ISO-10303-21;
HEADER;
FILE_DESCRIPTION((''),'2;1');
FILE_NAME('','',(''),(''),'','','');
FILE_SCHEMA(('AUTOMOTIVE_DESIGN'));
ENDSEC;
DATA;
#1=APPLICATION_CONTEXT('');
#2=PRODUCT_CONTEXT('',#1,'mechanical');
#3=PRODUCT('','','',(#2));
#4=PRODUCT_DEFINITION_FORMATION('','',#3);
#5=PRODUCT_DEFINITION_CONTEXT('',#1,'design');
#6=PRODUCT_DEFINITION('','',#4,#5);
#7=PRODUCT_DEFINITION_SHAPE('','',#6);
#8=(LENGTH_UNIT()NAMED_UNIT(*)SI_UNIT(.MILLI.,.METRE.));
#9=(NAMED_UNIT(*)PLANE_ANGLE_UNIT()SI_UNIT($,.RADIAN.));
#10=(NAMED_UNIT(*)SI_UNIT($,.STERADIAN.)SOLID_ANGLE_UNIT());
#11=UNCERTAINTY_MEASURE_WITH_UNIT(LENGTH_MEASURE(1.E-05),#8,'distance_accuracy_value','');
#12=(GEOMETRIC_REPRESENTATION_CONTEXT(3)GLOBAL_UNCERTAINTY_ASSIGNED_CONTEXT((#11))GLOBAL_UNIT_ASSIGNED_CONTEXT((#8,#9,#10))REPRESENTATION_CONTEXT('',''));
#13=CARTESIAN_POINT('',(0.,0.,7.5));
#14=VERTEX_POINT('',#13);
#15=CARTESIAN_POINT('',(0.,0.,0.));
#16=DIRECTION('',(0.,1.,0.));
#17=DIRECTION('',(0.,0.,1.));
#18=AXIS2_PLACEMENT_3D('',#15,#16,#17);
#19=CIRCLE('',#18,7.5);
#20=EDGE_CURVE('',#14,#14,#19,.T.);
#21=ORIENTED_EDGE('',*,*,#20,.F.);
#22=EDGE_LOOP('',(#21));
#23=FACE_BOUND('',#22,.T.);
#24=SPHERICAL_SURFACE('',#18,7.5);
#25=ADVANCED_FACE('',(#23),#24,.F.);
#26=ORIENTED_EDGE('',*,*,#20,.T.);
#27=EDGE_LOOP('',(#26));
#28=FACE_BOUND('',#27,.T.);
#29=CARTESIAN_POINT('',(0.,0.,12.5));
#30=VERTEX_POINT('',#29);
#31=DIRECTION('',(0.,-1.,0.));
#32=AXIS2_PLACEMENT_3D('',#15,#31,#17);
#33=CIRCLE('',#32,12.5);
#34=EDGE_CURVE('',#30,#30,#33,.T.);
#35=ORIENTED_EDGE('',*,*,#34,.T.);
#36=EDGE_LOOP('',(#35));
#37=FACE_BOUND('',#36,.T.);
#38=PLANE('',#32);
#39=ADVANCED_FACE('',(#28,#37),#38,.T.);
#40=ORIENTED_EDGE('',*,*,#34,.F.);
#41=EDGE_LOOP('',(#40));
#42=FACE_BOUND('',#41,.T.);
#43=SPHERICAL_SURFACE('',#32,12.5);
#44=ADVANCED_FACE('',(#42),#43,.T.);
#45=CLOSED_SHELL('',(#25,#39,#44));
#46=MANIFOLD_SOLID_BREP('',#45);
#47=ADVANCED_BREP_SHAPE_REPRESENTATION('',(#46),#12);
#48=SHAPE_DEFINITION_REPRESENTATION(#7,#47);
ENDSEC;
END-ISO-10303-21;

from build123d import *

# Parameters (mm, degrees)
ROTATION1_ANGLE = 180


with BuildPart() as part:
    # Skizze1 → Rotation1 (revolve)
    with BuildSketch(Plane(origin=(0, 0, 0), x_dir=(1, 0, 0), z_dir=(0, 1, 0))):
        with BuildLine():
            Line((0, 12.5), (0, 7.5))
            ThreePointArc((0, 7.5), (7.5, 0), (0, -7.5))
            Line((0, -7.5), (0, -12.5))
            ThreePointArc((0, -12.5), (12.5, 0), (0, 12.5))
        make_face()
    revolve(axis=Axis((0, 0, -16.072896091), (0, 0, 1)), revolution_arc=ROTATION1_ANGLE)


solid = part.part
